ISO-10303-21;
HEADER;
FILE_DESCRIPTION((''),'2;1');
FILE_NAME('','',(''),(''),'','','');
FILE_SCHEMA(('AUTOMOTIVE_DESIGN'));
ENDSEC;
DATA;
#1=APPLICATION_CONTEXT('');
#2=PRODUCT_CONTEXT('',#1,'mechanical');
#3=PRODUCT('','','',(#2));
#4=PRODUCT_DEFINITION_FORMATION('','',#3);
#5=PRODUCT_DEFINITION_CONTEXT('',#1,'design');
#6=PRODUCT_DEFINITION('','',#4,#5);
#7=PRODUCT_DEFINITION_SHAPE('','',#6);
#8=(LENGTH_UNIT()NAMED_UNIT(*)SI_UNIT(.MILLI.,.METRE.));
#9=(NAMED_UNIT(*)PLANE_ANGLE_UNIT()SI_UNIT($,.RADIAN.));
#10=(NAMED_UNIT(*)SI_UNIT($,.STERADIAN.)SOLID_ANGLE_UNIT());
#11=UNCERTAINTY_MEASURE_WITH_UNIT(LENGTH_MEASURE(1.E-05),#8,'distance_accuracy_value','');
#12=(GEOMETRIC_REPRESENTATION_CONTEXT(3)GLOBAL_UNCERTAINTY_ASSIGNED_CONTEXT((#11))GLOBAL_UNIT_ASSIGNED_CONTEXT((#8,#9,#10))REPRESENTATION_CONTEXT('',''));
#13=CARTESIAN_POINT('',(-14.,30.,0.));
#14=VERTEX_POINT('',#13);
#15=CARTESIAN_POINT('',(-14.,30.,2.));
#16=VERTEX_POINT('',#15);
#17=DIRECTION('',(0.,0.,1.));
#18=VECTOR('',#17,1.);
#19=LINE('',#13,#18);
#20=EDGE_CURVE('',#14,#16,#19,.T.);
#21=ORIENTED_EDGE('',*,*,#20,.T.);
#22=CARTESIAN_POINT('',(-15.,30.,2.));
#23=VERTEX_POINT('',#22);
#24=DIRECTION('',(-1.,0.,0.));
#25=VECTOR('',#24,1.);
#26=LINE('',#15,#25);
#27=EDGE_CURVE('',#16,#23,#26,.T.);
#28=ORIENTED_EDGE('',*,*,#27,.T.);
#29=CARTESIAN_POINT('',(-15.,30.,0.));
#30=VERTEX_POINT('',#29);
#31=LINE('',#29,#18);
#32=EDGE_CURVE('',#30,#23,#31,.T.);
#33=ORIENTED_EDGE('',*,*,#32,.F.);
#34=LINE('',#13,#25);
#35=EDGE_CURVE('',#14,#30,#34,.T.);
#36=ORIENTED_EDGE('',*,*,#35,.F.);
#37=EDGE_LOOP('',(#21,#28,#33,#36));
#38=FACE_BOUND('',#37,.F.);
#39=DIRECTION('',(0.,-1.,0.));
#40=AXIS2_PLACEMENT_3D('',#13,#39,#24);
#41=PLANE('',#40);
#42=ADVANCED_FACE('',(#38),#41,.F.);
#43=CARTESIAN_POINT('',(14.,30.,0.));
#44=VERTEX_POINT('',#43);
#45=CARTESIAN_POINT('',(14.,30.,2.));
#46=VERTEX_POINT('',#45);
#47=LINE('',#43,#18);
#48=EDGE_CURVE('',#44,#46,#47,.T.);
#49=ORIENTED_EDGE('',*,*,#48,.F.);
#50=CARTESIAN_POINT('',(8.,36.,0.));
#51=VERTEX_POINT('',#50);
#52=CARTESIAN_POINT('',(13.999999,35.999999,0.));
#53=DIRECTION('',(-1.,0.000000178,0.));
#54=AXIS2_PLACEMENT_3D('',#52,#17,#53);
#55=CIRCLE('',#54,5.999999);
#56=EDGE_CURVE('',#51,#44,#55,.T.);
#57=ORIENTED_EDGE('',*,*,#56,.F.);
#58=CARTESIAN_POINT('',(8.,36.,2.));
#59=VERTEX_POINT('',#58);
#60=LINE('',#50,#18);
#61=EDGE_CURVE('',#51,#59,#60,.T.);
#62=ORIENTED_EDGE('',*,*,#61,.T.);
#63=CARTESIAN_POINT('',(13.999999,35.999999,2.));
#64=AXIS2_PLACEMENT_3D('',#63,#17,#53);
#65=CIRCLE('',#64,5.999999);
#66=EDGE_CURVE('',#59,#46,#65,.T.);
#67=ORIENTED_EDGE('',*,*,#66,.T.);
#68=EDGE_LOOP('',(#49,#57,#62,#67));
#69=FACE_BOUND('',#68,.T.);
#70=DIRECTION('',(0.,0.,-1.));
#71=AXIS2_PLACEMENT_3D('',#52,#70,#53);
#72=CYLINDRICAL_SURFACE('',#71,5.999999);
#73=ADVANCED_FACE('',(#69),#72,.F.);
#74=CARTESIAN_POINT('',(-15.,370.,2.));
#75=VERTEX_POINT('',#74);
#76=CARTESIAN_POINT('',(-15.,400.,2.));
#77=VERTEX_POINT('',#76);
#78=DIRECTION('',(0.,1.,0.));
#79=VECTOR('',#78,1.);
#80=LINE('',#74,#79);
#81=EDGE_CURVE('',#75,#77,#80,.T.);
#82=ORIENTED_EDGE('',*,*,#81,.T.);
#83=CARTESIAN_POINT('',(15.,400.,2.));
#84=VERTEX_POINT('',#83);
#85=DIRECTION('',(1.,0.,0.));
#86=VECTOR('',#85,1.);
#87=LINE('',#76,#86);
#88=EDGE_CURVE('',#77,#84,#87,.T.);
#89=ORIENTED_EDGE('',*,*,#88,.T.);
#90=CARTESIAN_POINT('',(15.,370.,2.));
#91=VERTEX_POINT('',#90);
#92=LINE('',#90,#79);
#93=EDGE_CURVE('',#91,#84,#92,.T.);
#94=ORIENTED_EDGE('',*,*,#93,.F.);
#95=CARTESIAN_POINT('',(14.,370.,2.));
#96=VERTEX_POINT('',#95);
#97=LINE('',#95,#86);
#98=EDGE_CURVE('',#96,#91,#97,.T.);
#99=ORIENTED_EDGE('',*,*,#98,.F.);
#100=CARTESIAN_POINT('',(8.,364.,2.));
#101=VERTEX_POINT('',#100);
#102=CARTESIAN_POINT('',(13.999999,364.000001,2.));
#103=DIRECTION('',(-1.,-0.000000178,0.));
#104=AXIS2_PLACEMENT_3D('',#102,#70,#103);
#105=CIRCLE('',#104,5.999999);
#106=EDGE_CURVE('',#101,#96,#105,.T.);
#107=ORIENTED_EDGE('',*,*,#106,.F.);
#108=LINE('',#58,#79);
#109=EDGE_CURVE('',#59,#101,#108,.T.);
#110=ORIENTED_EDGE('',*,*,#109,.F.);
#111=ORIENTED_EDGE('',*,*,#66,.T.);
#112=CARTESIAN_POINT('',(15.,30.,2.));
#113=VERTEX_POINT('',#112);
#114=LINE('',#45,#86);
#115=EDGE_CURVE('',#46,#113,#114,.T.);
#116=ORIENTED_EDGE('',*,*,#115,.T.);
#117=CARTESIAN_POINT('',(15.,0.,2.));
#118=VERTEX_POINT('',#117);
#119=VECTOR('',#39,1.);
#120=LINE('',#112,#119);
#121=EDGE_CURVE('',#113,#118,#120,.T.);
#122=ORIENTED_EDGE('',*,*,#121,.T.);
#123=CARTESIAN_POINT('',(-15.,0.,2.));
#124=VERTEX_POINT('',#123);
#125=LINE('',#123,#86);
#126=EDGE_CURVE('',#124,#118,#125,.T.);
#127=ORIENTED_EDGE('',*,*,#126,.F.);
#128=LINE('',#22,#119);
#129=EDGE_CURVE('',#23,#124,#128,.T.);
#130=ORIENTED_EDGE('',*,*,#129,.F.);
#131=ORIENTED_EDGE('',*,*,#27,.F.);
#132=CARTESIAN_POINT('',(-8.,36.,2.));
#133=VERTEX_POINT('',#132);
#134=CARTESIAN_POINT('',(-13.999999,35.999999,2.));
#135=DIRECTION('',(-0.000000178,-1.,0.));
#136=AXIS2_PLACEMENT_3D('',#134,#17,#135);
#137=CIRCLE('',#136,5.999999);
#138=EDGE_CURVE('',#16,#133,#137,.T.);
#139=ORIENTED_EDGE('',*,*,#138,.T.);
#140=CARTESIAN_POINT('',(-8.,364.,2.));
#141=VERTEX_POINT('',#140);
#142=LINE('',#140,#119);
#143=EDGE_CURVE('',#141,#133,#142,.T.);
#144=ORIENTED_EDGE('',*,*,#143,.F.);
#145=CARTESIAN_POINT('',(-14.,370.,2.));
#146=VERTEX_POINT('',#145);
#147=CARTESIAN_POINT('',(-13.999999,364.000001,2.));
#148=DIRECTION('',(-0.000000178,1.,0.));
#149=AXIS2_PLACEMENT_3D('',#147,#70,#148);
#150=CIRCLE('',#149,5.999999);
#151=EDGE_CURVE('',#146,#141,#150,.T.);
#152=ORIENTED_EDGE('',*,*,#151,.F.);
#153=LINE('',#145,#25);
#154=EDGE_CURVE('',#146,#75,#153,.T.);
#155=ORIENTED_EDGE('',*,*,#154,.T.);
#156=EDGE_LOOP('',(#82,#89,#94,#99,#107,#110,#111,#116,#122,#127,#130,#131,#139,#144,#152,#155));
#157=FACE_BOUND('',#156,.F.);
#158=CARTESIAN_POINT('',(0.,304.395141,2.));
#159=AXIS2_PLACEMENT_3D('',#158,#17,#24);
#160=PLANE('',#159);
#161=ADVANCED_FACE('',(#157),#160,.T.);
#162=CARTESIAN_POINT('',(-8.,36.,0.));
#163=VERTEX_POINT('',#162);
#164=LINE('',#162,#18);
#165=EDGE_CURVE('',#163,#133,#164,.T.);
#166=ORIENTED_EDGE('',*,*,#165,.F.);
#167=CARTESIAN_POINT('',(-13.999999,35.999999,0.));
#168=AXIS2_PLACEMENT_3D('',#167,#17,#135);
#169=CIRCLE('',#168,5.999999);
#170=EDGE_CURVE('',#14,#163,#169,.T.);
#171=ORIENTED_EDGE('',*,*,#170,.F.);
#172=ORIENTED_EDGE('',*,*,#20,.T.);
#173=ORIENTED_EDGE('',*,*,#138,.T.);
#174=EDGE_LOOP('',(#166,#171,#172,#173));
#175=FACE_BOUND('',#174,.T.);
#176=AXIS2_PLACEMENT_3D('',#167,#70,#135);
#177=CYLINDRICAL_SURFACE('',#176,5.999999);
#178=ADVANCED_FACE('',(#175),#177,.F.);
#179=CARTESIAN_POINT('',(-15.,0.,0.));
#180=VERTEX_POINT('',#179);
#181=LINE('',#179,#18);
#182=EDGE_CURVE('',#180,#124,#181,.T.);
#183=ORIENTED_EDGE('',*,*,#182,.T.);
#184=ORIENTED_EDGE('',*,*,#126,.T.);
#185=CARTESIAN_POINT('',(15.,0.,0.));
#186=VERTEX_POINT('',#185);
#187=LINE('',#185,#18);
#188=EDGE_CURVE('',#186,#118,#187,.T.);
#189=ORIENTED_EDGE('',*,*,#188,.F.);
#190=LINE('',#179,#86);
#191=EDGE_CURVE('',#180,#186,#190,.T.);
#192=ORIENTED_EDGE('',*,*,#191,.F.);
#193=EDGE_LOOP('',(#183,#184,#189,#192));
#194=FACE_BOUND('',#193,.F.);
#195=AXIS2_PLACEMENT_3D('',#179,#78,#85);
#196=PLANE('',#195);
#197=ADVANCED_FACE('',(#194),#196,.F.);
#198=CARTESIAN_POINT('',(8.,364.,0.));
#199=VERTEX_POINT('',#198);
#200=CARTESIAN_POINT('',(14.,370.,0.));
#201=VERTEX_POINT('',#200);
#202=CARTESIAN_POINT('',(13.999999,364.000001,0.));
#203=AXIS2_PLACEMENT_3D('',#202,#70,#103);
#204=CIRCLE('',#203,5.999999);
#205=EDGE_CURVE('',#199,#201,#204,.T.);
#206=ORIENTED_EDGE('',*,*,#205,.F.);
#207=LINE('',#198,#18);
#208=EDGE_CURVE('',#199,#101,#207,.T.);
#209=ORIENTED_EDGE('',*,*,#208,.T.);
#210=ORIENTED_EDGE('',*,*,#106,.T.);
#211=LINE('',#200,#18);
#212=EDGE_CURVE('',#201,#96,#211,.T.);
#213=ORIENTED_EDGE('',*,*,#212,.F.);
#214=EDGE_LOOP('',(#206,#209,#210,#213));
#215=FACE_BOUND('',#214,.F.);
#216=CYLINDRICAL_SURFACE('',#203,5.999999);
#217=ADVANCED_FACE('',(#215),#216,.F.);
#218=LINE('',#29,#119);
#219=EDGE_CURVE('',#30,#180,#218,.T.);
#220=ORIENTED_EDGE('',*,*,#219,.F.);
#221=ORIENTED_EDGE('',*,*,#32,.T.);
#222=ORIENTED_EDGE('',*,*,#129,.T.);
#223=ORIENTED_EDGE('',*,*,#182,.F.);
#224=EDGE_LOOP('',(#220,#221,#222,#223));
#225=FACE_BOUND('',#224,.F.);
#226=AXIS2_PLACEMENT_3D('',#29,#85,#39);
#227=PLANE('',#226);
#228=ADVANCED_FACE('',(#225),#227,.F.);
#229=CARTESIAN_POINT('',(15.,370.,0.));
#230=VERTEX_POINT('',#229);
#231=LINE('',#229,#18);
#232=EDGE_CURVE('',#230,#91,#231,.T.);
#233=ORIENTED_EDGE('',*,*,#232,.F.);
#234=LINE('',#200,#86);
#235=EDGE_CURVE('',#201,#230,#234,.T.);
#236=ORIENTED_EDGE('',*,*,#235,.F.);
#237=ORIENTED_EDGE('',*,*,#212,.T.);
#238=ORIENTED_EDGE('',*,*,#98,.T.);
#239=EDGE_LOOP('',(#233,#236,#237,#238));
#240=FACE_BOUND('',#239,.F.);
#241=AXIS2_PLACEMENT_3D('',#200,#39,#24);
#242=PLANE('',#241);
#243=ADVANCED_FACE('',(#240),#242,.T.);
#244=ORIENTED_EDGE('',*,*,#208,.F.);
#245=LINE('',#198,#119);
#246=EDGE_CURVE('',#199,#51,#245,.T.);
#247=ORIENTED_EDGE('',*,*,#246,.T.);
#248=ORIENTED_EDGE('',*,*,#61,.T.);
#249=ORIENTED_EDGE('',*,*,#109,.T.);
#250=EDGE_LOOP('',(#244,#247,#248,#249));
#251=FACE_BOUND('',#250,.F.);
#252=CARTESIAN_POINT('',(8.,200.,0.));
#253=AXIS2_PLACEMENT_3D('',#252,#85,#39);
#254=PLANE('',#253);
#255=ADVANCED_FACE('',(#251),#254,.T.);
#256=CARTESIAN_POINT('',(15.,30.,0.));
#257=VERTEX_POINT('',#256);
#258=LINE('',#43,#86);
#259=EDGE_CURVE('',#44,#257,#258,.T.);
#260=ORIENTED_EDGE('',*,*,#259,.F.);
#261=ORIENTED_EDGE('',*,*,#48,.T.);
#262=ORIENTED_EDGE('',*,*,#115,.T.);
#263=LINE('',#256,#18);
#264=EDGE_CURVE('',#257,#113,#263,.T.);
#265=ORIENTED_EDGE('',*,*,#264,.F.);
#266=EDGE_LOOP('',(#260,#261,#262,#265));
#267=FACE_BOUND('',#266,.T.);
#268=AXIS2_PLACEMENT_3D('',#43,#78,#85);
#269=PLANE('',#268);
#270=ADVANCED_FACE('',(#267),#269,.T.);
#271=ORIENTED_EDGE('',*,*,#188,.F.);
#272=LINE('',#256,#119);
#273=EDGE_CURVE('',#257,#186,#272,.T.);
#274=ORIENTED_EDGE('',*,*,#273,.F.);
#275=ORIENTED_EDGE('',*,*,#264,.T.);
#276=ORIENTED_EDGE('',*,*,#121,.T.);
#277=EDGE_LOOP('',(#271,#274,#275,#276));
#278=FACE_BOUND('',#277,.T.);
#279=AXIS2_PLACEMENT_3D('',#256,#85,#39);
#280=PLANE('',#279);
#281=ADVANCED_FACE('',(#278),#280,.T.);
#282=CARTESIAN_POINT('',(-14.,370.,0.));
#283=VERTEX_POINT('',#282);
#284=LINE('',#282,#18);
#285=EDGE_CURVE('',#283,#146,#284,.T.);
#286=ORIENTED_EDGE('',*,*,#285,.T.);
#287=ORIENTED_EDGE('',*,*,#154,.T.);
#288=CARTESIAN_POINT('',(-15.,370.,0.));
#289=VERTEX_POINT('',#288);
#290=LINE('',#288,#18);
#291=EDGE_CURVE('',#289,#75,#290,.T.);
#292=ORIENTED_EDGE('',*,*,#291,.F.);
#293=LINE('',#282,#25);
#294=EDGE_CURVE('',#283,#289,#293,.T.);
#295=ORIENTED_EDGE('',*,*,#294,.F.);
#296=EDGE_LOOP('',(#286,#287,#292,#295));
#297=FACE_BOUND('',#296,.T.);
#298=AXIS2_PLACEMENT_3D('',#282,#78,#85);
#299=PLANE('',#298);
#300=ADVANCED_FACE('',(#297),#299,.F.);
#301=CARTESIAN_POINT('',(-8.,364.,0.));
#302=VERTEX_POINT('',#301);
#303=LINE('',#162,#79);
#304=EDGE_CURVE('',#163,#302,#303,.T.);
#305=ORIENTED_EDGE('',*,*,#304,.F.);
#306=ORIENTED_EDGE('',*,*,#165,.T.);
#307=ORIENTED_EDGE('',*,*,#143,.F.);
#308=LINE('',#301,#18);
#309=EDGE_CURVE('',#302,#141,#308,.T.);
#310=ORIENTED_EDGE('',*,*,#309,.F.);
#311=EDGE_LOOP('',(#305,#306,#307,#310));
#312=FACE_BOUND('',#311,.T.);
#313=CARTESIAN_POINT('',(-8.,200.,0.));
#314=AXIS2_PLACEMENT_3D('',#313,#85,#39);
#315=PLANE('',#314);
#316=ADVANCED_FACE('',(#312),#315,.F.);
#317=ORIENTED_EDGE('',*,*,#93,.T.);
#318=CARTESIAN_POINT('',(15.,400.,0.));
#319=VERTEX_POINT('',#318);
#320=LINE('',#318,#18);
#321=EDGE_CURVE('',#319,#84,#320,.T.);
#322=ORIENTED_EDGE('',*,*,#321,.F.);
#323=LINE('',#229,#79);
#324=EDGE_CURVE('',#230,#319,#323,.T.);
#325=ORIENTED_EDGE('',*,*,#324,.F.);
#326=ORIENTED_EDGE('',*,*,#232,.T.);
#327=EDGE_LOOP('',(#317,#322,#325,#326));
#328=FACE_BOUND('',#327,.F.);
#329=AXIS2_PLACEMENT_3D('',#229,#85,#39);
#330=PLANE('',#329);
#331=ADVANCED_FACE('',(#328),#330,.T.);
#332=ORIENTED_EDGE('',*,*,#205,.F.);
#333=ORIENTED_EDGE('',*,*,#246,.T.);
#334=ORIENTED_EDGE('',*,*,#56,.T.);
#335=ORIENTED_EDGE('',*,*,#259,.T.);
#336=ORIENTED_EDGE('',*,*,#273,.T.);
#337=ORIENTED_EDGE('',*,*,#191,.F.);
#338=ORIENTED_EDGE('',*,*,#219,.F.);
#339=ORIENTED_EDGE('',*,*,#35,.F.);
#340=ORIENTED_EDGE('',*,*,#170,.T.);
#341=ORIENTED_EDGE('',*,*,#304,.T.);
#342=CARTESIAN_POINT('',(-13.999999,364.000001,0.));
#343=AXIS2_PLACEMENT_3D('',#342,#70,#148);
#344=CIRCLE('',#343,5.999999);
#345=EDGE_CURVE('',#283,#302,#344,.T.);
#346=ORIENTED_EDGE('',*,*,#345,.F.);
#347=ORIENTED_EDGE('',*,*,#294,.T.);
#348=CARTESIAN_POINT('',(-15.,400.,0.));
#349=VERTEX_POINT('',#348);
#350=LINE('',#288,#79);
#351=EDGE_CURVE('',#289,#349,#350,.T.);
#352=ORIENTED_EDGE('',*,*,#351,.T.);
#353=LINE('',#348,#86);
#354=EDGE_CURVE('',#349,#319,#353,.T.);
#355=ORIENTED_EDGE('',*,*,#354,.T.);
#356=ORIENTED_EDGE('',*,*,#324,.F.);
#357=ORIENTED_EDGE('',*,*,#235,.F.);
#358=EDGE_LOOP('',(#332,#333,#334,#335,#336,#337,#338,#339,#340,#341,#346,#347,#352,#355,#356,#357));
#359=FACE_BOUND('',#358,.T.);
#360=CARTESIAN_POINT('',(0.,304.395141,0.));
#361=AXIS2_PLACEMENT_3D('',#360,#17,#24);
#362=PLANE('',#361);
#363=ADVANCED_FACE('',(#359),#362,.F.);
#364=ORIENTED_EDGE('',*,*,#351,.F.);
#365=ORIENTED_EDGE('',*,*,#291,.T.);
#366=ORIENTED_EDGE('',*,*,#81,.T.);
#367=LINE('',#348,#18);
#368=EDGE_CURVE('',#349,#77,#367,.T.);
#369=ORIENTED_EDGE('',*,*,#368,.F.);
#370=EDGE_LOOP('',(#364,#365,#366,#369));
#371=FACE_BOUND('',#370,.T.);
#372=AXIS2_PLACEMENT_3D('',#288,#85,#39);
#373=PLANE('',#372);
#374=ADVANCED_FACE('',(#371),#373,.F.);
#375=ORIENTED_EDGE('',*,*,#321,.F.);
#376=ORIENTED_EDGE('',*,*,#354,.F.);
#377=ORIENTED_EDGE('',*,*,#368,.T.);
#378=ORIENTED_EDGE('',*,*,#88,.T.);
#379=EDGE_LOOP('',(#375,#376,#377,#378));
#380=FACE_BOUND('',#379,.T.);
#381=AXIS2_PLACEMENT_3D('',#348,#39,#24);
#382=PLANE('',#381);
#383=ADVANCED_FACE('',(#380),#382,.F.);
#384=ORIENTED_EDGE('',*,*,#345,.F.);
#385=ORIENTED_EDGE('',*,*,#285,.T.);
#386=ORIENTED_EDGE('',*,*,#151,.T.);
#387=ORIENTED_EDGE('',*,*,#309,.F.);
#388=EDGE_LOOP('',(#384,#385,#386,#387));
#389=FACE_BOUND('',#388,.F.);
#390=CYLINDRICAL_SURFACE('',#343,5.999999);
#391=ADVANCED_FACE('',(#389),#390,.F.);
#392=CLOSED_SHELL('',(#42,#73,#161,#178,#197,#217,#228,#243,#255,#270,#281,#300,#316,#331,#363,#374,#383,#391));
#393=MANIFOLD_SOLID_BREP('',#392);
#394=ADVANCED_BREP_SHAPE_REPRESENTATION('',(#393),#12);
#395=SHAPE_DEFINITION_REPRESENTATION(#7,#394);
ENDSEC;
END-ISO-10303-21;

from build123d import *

# Parameters (mm, degrees)
PAD_DEPTH = 2


with BuildPart() as part:
    # Sketch → Pad (new body)
    with BuildSketch(Plane.XY):
        with BuildLine():
            Line((0, 0), (15, 0))
            Line((15, 30), (15, 0))
            Line((14, 30), (15, 30))
            ThreePointArc((8, 36), (9.757359, 31.757359), (14, 30))
            Line((8, 200), (8, 36))
            Line((0, 200), (8, 200))
            Line((0, 200), (-8, 200))
            Line((-8, 200), (-8, 36))
            ThreePointArc((-14, 30), (-9.757359, 31.757359), (-8, 36))
            Line((-14, 30), (-15, 30))
            Line((-15, 30), (-15, 0))
            Line((0, 0), (-15, 0))
        make_face()
    pad = extrude(amount=PAD_DEPTH)

    # Mirrored: Pad across face of Pad
    add(pad.mirror(Plane(origin=(4, 200, 1), x_dir=(-1, 0, 0), z_dir=(0, 1, 0))))


solid = part.part
